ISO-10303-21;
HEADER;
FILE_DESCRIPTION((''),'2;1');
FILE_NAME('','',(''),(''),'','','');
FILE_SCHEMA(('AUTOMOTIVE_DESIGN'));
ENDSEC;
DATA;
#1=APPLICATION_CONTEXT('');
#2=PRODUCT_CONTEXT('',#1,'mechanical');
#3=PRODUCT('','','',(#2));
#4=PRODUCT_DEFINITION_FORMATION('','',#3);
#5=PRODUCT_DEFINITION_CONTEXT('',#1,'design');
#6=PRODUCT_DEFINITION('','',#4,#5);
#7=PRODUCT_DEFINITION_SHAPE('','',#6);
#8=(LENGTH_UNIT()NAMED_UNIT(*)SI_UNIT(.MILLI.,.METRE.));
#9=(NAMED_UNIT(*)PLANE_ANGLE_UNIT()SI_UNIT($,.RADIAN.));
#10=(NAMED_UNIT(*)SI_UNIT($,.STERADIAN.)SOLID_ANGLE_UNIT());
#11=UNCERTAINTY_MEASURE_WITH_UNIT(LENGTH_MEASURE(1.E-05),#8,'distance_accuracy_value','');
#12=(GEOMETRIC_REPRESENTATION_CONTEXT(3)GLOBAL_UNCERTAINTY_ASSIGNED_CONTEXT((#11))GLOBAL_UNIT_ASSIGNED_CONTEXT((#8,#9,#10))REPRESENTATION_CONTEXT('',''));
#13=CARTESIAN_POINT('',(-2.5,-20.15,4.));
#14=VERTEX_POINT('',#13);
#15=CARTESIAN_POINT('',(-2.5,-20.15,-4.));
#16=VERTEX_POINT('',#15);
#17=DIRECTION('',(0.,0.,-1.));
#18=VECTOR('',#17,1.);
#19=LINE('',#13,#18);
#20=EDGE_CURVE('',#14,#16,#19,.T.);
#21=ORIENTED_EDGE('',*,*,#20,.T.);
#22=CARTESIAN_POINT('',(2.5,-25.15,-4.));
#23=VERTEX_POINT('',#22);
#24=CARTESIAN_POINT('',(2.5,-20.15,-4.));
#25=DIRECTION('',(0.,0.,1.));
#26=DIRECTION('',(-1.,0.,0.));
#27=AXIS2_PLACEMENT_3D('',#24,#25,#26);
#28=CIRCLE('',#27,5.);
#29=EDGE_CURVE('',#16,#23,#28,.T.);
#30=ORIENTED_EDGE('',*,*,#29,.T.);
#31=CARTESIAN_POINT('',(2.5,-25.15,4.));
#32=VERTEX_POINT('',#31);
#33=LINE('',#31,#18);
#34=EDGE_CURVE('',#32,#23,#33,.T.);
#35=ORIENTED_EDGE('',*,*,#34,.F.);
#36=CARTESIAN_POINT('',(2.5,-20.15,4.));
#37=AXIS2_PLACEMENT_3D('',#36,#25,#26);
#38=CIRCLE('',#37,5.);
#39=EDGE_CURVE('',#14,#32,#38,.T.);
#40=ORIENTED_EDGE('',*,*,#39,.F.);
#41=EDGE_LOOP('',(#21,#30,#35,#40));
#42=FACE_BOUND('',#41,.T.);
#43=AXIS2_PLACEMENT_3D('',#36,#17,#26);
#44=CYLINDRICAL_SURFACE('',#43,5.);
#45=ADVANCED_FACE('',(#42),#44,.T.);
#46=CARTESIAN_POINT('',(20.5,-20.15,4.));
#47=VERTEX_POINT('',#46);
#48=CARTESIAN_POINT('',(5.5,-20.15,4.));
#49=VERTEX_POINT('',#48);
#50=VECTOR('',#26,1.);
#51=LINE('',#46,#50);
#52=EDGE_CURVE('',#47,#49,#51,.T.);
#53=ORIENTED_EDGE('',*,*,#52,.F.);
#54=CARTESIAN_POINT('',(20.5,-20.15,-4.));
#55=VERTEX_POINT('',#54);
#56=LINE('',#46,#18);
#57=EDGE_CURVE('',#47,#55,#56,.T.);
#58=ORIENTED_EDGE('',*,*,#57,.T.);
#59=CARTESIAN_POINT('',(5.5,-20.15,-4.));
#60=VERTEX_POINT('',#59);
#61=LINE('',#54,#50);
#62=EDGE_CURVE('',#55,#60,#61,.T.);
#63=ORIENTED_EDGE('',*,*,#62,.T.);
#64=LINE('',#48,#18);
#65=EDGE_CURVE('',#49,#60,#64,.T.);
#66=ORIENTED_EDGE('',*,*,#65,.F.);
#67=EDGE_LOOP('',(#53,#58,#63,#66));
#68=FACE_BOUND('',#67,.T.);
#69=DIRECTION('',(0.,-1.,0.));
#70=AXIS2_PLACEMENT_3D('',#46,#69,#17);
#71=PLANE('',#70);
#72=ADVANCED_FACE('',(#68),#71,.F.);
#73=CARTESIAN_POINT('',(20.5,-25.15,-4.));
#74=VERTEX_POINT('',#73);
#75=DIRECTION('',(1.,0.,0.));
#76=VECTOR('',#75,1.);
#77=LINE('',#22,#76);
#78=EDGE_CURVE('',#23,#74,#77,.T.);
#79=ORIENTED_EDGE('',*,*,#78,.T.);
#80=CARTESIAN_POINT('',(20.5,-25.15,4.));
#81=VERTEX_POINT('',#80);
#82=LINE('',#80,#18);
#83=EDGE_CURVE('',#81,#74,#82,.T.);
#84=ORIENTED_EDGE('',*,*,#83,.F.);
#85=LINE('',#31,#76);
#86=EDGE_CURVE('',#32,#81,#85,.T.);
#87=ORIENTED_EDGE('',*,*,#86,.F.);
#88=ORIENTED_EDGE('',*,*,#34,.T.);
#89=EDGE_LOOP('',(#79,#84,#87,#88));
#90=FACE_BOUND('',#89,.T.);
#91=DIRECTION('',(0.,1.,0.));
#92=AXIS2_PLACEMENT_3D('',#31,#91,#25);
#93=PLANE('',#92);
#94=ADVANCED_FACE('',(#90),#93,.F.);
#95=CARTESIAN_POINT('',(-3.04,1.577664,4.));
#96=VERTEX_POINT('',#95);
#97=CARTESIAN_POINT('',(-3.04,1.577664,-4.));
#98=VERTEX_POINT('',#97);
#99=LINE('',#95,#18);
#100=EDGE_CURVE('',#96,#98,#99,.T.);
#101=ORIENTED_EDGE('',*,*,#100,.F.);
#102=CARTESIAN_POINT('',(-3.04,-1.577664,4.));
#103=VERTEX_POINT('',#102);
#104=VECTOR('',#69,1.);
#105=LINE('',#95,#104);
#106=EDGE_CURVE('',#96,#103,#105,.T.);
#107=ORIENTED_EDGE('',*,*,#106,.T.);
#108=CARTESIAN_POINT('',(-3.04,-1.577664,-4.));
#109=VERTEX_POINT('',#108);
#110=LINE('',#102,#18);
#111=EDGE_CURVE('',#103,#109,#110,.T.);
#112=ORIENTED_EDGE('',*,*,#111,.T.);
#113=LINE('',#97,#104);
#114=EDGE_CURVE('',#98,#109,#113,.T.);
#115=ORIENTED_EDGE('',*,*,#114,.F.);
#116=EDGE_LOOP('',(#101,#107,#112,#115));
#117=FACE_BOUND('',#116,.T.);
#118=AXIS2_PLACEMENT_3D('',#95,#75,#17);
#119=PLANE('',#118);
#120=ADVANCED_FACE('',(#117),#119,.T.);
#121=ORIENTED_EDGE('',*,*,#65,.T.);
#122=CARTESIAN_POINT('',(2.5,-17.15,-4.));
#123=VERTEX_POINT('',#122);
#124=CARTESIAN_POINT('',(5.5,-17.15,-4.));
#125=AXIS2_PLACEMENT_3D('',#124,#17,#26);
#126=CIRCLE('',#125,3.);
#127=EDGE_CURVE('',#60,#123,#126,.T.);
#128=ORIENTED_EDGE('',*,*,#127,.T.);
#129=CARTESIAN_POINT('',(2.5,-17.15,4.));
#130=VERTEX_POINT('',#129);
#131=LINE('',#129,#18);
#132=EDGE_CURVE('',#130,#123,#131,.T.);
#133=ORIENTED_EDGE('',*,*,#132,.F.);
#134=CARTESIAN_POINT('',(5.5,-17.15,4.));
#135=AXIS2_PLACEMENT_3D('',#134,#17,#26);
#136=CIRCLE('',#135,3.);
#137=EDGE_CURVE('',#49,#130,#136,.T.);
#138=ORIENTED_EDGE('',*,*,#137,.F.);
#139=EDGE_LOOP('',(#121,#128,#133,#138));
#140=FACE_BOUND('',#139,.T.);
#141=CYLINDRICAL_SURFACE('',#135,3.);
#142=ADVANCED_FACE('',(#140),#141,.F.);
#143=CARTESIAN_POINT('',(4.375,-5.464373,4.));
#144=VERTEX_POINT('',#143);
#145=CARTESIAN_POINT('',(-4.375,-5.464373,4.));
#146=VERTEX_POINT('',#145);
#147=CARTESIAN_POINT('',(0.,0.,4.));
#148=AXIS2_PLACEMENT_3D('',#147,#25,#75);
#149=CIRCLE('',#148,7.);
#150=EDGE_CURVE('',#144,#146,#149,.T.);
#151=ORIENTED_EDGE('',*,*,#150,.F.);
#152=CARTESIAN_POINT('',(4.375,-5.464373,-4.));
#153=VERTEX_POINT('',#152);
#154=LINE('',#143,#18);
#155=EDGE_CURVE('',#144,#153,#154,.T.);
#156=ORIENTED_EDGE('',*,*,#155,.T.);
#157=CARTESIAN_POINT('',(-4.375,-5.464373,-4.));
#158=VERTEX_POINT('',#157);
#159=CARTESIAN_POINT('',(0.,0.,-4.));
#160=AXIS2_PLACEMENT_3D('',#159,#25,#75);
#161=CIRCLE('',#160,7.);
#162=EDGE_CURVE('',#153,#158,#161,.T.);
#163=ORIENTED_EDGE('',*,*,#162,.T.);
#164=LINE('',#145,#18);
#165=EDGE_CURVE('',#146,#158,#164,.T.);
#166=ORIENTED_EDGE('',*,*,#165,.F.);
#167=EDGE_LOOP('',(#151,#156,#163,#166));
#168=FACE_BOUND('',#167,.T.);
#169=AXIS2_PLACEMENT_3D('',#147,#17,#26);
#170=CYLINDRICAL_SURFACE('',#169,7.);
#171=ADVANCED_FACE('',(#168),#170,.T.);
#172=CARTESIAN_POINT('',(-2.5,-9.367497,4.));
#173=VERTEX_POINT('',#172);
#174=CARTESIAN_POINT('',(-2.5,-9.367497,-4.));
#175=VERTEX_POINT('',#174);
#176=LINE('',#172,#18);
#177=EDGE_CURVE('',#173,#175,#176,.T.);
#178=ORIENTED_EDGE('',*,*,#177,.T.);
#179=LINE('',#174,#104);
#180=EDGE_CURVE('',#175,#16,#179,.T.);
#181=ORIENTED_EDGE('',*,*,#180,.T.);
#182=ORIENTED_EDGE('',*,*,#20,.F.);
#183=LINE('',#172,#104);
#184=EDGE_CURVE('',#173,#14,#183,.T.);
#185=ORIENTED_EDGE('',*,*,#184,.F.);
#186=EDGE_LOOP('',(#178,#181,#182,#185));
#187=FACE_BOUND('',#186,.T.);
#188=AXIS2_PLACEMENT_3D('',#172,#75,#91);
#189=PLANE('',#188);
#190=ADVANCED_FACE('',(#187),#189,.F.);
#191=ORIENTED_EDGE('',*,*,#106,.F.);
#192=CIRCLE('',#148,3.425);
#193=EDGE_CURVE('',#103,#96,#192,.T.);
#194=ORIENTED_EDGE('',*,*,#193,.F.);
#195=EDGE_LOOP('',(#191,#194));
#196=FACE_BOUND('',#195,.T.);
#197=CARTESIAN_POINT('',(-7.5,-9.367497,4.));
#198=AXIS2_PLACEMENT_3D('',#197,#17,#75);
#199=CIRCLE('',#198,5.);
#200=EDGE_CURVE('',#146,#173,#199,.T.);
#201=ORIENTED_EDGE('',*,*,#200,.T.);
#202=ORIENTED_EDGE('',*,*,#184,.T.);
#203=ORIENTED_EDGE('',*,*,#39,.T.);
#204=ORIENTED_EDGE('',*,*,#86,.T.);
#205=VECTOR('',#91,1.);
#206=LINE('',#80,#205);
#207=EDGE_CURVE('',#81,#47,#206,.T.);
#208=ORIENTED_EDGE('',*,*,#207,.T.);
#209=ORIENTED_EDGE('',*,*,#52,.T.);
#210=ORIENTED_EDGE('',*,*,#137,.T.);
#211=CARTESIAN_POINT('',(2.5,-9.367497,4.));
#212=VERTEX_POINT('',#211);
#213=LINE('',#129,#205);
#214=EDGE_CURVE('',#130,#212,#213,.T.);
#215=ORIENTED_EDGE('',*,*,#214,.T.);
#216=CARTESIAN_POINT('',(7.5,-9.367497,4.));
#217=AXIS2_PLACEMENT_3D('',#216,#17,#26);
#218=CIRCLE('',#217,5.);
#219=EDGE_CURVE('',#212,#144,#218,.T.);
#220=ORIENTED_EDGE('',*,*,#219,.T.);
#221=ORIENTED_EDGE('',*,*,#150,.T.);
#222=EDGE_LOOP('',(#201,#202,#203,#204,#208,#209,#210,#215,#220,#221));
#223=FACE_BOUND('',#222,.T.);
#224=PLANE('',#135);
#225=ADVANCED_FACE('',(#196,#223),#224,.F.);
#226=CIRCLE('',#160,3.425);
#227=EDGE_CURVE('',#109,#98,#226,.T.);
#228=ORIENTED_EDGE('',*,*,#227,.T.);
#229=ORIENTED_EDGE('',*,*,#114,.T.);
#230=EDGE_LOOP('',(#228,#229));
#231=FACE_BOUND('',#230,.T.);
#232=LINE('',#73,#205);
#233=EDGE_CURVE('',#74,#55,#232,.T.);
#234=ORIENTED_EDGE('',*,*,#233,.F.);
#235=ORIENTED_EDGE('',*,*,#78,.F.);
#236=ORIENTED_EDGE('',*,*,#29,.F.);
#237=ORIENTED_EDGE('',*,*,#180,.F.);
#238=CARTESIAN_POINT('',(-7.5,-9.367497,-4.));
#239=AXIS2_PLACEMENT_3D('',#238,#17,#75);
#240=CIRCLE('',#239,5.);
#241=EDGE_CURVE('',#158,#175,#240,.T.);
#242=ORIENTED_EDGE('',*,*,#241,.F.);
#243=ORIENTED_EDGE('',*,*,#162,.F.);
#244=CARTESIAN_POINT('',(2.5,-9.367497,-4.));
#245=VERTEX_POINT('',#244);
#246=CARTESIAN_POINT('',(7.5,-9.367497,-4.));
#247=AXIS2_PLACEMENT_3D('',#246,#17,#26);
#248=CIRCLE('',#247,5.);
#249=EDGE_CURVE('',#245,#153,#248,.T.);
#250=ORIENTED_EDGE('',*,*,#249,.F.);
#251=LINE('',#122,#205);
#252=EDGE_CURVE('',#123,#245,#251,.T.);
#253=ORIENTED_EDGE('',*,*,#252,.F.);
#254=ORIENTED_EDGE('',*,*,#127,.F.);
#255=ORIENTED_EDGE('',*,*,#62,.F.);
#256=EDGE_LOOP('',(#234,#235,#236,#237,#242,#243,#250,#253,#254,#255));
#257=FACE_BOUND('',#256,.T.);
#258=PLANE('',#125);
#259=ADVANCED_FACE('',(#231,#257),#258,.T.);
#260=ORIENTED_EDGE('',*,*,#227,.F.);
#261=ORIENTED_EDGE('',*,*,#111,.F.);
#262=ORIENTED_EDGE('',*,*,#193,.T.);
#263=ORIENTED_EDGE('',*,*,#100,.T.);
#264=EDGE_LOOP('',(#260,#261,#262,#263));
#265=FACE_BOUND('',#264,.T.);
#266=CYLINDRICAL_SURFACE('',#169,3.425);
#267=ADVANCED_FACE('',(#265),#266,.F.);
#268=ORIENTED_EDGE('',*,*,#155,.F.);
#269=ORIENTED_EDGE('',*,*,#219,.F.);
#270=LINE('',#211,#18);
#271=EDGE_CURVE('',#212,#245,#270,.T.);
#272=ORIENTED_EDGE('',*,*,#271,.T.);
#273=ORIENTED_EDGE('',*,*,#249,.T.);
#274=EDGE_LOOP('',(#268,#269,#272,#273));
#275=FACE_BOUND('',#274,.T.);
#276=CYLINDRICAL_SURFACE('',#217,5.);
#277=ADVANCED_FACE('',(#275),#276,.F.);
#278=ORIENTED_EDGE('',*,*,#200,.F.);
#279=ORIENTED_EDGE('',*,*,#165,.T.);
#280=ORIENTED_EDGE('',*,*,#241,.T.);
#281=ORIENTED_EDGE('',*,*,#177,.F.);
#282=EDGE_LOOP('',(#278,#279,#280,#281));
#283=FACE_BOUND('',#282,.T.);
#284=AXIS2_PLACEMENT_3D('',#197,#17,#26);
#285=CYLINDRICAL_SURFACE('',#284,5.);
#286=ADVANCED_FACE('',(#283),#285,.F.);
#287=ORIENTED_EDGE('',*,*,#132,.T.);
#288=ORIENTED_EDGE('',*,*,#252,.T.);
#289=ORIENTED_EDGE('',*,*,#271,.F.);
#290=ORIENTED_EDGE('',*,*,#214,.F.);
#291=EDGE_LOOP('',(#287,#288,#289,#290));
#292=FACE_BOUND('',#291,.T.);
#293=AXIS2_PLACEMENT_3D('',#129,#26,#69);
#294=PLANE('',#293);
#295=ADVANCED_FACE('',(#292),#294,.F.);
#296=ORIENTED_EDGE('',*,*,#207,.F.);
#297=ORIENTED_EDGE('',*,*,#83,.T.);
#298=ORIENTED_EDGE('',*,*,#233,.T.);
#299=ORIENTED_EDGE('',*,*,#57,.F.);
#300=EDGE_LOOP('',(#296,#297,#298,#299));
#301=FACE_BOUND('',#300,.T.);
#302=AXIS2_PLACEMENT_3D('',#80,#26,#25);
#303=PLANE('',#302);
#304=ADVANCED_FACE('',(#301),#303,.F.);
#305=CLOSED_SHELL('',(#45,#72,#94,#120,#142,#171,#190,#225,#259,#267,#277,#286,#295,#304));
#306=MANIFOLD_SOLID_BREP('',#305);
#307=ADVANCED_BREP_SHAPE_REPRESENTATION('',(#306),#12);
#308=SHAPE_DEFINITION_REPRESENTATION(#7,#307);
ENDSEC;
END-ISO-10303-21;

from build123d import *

# Parameters (mm, degrees)
BOSS_EXTRUDE1_DEPTH = 4


with BuildPart() as part:
    # Sketch1 → Boss-Extrude1 (new, symmetric)
    with BuildSketch(Plane.XY):
        with BuildLine():
            Line((-2.5, -9.367496998), (-2.5, -20.15))
            ThreePointArc((-2.5, -20.15), (-1.035533906, -23.685533906), (2.5, -25.15))
            Line((2.5, -25.15), (20.5, -25.15))
            Line((20.5, -25.15), (20.5, -20.15))
            Line((20.5, -20.15), (5.5, -20.15))
            ThreePointArc((5.5, -20.15), (3.378679656, -19.271320344), (2.5, -17.15))
            Line((2.5, -17.15), (2.5, -9.367496998))
            ThreePointArc((2.5, -9.367496998), (2.993060906, -7.202433488), (4.375, -5.464373249))
            ThreePointArc((4.375, -5.464373249), (0, 7), (-4.375, -5.464373249))
            ThreePointArc((-4.375, -5.464373249), (-2.993060906, -7.202433488), (-2.5, -9.367496998))
        make_face()
        with BuildLine():
            Line((-3.04, 1.577664413), (-3.04, -1.577664413))
            ThreePointArc((-3.04, -1.577664413), (3.425, 0), (-3.04, 1.577664413))
        make_face(mode=Mode.SUBTRACT)
    extrude(amount=BOSS_EXTRUDE1_DEPTH, both=True)


solid = part.part
